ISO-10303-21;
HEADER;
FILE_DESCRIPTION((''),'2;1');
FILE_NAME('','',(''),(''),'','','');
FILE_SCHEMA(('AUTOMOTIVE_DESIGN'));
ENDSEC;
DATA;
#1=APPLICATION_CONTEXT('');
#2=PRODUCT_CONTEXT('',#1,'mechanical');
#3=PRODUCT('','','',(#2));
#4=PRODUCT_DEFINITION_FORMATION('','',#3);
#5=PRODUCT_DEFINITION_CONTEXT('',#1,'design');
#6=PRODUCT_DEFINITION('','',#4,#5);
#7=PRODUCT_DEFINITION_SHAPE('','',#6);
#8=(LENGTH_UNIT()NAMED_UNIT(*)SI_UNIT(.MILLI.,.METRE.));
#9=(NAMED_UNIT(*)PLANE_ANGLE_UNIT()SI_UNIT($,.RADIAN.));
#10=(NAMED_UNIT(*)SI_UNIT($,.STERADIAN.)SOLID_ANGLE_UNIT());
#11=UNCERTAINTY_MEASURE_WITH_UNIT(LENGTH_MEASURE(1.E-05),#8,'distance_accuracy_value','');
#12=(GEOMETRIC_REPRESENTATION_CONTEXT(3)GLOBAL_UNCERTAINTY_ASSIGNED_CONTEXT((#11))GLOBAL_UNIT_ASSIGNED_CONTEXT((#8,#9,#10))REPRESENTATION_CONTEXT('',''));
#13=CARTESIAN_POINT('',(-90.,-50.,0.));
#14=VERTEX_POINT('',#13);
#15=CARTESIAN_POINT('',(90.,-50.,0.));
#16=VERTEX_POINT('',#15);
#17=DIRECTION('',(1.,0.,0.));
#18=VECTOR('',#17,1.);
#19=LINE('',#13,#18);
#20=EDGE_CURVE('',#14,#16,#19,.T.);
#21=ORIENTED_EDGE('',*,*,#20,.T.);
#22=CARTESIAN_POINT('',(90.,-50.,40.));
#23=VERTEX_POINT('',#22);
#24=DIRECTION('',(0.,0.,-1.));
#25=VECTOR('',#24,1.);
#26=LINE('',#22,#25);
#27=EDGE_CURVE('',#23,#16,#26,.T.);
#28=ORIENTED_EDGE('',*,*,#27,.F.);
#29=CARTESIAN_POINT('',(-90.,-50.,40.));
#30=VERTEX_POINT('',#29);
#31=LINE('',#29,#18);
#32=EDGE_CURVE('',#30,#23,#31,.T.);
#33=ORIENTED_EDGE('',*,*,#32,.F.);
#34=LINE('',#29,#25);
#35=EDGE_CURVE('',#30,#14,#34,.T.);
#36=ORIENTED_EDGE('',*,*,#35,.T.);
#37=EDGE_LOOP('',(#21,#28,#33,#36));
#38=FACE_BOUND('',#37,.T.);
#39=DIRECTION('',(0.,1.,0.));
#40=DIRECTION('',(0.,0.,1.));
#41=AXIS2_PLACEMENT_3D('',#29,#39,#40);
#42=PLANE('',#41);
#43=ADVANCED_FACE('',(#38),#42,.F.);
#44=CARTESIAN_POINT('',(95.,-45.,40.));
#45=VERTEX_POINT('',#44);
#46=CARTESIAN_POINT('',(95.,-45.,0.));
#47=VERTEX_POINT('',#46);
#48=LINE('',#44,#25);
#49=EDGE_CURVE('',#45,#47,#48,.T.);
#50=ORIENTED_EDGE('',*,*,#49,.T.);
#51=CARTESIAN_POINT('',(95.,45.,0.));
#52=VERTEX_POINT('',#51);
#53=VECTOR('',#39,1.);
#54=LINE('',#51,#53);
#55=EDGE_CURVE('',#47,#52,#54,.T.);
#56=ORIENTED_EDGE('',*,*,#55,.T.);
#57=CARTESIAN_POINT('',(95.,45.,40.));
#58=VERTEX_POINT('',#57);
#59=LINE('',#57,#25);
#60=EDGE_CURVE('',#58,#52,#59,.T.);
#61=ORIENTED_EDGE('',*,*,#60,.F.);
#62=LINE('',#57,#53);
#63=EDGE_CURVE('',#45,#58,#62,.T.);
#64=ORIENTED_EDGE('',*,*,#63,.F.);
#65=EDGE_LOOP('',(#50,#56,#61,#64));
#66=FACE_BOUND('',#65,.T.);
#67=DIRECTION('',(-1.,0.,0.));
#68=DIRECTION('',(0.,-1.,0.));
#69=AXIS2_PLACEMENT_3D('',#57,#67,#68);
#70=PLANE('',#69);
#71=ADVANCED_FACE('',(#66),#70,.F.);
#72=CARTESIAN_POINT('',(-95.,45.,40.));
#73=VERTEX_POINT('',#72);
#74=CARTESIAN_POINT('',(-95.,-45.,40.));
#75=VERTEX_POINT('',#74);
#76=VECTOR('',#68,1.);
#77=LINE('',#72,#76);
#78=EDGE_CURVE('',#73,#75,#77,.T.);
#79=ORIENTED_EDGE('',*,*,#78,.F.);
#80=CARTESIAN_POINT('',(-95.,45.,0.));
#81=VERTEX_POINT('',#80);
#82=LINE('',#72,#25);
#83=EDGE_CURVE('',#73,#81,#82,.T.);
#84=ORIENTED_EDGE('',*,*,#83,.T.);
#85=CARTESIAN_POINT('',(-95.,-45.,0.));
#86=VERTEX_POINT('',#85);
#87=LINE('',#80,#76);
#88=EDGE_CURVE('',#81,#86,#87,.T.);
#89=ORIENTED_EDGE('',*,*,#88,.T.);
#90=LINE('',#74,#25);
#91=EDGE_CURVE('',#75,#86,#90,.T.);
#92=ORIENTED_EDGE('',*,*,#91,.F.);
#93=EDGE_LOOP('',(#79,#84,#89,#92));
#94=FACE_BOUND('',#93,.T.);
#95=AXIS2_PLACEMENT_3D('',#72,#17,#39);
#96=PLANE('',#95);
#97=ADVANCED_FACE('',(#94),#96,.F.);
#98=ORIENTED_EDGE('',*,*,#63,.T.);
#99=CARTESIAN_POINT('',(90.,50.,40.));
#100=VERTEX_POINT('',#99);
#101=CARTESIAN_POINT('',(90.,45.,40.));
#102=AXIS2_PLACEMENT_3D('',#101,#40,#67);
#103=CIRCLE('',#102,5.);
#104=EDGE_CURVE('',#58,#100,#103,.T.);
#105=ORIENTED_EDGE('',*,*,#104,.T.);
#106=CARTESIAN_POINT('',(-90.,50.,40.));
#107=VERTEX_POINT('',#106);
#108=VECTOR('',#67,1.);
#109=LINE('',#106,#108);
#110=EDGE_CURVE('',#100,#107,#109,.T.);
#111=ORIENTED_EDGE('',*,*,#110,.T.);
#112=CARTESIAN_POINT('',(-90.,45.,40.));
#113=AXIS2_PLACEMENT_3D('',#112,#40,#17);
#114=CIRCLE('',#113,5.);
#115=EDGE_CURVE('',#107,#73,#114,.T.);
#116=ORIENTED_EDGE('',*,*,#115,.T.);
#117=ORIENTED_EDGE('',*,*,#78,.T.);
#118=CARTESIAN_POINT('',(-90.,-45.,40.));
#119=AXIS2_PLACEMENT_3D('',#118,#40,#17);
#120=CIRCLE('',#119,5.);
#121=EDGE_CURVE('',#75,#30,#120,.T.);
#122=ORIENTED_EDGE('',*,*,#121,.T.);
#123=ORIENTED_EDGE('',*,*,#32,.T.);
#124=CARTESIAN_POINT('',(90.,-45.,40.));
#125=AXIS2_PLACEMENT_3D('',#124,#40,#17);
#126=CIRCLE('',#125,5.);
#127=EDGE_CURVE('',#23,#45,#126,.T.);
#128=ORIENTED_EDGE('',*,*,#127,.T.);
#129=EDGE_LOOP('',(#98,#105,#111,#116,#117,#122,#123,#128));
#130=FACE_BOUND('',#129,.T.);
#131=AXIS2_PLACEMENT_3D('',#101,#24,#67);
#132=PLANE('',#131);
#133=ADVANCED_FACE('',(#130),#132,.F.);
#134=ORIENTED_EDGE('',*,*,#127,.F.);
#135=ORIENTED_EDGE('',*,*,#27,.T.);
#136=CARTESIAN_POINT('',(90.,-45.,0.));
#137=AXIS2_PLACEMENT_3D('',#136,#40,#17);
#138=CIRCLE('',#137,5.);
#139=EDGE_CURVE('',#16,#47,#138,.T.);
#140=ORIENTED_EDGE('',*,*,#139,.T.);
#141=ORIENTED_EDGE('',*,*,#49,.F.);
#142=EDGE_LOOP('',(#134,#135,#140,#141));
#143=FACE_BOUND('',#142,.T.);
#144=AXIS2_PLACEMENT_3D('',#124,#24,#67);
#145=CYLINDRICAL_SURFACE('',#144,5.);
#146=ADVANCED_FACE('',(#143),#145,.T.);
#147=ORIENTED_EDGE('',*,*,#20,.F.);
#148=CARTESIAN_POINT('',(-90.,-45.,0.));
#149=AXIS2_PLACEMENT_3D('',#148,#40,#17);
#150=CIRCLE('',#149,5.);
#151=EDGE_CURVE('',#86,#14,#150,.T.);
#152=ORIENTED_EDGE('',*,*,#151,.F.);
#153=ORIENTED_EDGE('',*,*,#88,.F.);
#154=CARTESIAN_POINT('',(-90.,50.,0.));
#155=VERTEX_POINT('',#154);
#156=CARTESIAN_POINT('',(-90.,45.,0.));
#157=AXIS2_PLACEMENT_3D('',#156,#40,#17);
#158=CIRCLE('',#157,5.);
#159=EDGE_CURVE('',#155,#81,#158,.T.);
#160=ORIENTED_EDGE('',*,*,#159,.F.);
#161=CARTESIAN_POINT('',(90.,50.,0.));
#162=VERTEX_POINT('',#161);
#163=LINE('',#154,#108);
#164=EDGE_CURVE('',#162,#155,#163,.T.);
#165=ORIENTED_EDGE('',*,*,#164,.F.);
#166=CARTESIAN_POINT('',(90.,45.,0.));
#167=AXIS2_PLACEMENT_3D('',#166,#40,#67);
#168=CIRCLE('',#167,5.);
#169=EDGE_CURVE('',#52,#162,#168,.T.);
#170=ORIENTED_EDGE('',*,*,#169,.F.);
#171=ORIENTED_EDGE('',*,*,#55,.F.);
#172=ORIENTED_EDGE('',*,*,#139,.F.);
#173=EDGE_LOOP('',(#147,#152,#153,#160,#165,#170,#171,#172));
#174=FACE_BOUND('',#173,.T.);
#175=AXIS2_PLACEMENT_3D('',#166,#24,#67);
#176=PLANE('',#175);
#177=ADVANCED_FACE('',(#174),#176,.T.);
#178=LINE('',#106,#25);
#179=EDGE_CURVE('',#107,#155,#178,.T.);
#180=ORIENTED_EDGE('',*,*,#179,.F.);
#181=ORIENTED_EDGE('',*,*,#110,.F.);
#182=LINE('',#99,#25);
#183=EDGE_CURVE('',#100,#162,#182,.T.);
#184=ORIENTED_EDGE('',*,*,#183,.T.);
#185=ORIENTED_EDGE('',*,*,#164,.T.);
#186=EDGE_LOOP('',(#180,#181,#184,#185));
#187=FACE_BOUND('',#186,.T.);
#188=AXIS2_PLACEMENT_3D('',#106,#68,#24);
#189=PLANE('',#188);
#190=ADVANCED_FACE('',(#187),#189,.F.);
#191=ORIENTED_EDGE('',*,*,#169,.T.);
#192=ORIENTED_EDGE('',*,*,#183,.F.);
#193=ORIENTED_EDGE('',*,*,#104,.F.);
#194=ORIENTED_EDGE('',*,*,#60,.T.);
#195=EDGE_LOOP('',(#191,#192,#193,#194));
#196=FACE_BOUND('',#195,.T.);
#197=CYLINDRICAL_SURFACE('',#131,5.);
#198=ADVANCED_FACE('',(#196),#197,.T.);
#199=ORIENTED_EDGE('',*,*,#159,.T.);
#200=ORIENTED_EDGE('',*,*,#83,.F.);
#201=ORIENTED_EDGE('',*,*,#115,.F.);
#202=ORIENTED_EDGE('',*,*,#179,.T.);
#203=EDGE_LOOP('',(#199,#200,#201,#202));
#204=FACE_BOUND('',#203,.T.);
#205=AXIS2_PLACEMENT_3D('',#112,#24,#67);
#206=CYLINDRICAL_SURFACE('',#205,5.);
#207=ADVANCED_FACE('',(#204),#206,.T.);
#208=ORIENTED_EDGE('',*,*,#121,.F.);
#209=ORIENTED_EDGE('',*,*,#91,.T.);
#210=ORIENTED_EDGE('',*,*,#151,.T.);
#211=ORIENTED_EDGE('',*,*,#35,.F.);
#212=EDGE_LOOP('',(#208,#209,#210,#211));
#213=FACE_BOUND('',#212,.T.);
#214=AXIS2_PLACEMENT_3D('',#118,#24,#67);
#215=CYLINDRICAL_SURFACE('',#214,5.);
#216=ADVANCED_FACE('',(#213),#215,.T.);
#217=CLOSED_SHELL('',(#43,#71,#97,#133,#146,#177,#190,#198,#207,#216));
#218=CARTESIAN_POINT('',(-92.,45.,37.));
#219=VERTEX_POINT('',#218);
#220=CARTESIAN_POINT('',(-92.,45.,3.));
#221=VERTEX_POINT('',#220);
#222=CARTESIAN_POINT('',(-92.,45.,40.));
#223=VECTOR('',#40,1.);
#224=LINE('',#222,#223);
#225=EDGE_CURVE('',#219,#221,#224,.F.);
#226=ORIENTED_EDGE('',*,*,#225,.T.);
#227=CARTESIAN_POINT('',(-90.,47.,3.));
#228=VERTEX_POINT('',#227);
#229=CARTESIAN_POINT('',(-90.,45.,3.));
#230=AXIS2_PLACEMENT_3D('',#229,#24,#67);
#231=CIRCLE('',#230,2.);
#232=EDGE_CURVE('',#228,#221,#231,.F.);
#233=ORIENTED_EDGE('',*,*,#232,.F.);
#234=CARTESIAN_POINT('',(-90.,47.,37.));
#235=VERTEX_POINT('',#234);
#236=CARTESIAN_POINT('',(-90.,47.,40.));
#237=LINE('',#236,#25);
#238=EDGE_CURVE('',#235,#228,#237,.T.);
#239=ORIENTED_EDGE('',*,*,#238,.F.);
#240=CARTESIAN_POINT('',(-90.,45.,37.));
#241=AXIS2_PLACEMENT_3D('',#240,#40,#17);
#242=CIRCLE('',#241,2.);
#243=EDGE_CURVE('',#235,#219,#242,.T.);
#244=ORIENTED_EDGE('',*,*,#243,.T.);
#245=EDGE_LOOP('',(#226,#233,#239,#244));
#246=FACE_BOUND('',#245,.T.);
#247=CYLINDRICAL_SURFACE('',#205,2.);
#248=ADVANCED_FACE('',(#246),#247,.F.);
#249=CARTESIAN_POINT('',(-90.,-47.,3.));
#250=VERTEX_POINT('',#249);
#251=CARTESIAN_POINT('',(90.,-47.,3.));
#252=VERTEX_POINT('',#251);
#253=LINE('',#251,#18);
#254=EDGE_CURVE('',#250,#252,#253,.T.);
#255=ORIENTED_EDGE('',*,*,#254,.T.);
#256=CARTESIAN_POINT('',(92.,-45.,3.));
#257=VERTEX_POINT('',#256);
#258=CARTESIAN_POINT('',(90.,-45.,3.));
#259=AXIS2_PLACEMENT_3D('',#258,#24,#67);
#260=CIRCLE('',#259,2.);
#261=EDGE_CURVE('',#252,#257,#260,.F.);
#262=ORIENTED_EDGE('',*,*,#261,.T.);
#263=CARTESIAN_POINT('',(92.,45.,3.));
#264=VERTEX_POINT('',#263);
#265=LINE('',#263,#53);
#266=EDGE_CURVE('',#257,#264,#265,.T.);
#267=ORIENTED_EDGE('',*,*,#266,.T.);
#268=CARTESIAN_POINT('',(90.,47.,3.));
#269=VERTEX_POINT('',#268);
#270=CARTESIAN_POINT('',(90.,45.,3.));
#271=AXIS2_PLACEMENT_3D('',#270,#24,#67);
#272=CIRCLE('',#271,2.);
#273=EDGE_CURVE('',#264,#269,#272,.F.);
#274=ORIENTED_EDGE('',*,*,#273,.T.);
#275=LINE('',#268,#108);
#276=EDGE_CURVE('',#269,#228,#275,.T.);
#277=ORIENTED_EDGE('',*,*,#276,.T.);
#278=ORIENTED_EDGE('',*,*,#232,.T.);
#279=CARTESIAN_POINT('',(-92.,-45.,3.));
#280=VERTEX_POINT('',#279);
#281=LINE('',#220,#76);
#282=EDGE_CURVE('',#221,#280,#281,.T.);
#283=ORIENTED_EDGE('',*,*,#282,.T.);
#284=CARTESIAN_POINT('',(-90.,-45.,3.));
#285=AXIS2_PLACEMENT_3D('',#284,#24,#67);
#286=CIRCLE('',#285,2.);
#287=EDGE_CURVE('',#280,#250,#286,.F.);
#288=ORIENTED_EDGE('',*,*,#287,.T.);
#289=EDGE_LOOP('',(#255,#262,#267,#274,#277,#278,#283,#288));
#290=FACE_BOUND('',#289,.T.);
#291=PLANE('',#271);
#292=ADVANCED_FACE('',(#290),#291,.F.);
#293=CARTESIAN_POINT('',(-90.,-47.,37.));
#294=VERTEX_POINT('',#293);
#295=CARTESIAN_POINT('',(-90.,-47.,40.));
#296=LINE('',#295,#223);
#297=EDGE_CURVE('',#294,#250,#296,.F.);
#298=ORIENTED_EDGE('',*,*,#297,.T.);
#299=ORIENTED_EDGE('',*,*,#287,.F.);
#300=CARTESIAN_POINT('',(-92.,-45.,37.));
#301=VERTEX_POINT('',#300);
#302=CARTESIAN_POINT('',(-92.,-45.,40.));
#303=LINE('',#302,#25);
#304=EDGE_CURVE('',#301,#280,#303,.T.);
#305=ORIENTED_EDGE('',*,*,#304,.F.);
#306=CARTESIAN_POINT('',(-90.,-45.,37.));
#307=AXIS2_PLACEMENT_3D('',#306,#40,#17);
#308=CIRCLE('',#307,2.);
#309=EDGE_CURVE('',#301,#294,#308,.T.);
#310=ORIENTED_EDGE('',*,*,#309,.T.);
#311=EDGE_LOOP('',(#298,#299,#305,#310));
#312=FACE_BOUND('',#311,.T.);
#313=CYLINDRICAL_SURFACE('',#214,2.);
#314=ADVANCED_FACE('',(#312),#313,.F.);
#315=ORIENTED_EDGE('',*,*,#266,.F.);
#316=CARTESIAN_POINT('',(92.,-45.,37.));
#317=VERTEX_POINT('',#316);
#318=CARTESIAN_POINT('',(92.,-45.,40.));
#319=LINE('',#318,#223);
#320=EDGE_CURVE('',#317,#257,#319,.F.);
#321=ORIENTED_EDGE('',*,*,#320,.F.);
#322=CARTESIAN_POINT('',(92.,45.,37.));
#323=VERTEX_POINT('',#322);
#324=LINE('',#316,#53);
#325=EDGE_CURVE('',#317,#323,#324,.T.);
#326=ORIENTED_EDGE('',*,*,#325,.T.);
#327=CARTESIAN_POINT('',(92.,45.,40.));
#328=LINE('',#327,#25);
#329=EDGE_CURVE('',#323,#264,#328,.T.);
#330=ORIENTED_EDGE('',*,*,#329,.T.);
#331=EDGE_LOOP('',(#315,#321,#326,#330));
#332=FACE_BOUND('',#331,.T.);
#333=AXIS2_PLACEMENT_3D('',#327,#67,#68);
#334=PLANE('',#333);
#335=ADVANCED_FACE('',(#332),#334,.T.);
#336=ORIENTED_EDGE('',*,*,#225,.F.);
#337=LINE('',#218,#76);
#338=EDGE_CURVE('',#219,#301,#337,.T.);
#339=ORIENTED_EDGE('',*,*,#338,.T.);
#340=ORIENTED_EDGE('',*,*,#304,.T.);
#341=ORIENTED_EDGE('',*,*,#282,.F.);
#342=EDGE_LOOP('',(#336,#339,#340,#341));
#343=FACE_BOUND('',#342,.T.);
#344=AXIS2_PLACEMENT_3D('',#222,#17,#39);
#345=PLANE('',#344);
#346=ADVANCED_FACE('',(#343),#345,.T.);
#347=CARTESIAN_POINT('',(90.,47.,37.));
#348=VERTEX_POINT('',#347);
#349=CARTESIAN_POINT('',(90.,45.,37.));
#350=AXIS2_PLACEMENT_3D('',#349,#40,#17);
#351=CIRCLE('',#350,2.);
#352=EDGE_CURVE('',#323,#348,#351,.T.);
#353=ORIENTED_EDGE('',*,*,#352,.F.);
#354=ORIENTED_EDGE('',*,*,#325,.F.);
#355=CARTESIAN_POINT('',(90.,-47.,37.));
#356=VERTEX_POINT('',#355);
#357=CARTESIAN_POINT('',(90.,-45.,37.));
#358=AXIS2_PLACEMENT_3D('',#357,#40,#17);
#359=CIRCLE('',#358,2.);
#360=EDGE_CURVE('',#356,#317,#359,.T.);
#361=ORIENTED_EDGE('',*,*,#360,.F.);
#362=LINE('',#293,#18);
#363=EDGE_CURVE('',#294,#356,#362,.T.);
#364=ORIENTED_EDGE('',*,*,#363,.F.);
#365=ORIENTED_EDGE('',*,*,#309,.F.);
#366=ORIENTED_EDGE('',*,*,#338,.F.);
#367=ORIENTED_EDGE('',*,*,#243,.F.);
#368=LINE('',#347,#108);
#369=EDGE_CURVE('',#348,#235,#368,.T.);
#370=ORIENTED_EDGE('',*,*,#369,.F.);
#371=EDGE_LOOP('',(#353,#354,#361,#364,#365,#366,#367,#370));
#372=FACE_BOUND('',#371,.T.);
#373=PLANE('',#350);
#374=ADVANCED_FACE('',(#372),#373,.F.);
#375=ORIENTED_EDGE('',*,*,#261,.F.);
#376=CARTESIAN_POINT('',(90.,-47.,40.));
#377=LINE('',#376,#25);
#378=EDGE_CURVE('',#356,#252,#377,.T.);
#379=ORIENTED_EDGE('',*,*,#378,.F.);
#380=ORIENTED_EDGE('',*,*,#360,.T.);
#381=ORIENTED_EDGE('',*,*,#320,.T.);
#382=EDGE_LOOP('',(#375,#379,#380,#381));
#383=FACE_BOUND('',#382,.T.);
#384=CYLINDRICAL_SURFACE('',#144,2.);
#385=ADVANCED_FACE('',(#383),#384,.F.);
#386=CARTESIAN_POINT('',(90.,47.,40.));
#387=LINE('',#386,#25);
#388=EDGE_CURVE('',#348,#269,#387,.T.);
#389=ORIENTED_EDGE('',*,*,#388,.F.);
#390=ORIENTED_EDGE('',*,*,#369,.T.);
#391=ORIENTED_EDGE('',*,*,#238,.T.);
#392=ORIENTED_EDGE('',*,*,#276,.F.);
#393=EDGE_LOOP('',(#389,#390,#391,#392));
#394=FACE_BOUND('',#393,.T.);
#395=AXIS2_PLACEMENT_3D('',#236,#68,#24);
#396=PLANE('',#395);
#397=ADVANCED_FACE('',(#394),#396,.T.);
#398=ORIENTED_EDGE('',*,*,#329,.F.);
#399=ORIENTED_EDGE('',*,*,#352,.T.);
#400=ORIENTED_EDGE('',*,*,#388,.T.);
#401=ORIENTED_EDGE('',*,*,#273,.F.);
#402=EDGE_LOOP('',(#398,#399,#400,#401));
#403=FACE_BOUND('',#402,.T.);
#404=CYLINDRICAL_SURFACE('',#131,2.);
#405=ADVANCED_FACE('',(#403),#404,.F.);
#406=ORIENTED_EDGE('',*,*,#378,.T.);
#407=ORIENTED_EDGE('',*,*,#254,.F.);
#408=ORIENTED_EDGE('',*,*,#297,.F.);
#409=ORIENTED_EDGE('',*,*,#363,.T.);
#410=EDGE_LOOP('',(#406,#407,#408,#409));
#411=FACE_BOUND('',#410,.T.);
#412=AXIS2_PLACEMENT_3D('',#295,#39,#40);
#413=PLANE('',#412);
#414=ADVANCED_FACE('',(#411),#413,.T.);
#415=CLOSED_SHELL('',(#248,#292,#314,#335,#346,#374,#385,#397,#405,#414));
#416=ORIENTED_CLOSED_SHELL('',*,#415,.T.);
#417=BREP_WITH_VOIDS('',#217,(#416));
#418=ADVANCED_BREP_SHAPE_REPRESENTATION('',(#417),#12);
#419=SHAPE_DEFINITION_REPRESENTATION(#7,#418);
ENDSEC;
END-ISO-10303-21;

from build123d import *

# Parameters (mm, degrees)
Y_KSEKLIK_EKSTR_ZYON1_DEPTH = 40
BO_ALTMA1_T                 = -3
Y_KSEKLIK_EKSTR_ZYON2_START = -3
Y_KSEKLIK_EKSTR_ZYON2_DEPTH = 3


with BuildPart() as part:
    # Çizim1 → Yükseklik-Ekstrüzyon1 (new body)
    with BuildSketch(Plane.XY):
        with BuildLine():
            Line((-90, 50), (90, 50))
            ThreePointArc((90, 50), (93.535533906, 48.535533906), (95, 45))
            Line((95, 45), (95, -45))
            ThreePointArc((95, -45), (93.535533906, -48.535533906), (90, -50))
            Line((90, -50), (-90, -50))
            ThreePointArc((-90, -50), (-93.535533906, -48.535533906), (-95, -45))
            Line((-95, -45), (-95, 45))
            ThreePointArc((-95, 45), (-93.535533906, 48.535533906), (-90, 50))
        make_face()
    extrude(amount=Y_KSEKLIK_EKSTR_ZYON1_DEPTH)

    # İç Boşaltma1
    bo_altma1_openings = [part.faces().sort_by_distance(p)[0] for p in [
        (0, 0, 40),
    ]]
    offset(amount=BO_ALTMA1_T, openings=bo_altma1_openings, kind=Kind.INTERSECTION)

    # Çizim2 → Yükseklik-Ekstrüzyon2 (add)
    with BuildSketch(Plane.XY.offset(40).offset(Y_KSEKLIK_EKSTR_ZYON2_START)):
        with BuildLine():
            Line((90, 47), (-90, 47))
            ThreePointArc((-90, 47), (-91.414213562, 46.414213562), (-92, 45))
            Line((-92, 45), (-92, -45))
            ThreePointArc((-92, -45), (-91.414213562, -46.414213562), (-90, -47))
            Line((-90, -47), (90, -47))
            ThreePointArc((90, -47), (91.414213562, -46.414213562), (92, -45))
            Line((92, -45), (92, 45))
            ThreePointArc((92, 45), (91.414213562, 46.414213562), (90, 47))
        make_face()
    extrude(amount=Y_KSEKLIK_EKSTR_ZYON2_DEPTH)


solid = part.part
